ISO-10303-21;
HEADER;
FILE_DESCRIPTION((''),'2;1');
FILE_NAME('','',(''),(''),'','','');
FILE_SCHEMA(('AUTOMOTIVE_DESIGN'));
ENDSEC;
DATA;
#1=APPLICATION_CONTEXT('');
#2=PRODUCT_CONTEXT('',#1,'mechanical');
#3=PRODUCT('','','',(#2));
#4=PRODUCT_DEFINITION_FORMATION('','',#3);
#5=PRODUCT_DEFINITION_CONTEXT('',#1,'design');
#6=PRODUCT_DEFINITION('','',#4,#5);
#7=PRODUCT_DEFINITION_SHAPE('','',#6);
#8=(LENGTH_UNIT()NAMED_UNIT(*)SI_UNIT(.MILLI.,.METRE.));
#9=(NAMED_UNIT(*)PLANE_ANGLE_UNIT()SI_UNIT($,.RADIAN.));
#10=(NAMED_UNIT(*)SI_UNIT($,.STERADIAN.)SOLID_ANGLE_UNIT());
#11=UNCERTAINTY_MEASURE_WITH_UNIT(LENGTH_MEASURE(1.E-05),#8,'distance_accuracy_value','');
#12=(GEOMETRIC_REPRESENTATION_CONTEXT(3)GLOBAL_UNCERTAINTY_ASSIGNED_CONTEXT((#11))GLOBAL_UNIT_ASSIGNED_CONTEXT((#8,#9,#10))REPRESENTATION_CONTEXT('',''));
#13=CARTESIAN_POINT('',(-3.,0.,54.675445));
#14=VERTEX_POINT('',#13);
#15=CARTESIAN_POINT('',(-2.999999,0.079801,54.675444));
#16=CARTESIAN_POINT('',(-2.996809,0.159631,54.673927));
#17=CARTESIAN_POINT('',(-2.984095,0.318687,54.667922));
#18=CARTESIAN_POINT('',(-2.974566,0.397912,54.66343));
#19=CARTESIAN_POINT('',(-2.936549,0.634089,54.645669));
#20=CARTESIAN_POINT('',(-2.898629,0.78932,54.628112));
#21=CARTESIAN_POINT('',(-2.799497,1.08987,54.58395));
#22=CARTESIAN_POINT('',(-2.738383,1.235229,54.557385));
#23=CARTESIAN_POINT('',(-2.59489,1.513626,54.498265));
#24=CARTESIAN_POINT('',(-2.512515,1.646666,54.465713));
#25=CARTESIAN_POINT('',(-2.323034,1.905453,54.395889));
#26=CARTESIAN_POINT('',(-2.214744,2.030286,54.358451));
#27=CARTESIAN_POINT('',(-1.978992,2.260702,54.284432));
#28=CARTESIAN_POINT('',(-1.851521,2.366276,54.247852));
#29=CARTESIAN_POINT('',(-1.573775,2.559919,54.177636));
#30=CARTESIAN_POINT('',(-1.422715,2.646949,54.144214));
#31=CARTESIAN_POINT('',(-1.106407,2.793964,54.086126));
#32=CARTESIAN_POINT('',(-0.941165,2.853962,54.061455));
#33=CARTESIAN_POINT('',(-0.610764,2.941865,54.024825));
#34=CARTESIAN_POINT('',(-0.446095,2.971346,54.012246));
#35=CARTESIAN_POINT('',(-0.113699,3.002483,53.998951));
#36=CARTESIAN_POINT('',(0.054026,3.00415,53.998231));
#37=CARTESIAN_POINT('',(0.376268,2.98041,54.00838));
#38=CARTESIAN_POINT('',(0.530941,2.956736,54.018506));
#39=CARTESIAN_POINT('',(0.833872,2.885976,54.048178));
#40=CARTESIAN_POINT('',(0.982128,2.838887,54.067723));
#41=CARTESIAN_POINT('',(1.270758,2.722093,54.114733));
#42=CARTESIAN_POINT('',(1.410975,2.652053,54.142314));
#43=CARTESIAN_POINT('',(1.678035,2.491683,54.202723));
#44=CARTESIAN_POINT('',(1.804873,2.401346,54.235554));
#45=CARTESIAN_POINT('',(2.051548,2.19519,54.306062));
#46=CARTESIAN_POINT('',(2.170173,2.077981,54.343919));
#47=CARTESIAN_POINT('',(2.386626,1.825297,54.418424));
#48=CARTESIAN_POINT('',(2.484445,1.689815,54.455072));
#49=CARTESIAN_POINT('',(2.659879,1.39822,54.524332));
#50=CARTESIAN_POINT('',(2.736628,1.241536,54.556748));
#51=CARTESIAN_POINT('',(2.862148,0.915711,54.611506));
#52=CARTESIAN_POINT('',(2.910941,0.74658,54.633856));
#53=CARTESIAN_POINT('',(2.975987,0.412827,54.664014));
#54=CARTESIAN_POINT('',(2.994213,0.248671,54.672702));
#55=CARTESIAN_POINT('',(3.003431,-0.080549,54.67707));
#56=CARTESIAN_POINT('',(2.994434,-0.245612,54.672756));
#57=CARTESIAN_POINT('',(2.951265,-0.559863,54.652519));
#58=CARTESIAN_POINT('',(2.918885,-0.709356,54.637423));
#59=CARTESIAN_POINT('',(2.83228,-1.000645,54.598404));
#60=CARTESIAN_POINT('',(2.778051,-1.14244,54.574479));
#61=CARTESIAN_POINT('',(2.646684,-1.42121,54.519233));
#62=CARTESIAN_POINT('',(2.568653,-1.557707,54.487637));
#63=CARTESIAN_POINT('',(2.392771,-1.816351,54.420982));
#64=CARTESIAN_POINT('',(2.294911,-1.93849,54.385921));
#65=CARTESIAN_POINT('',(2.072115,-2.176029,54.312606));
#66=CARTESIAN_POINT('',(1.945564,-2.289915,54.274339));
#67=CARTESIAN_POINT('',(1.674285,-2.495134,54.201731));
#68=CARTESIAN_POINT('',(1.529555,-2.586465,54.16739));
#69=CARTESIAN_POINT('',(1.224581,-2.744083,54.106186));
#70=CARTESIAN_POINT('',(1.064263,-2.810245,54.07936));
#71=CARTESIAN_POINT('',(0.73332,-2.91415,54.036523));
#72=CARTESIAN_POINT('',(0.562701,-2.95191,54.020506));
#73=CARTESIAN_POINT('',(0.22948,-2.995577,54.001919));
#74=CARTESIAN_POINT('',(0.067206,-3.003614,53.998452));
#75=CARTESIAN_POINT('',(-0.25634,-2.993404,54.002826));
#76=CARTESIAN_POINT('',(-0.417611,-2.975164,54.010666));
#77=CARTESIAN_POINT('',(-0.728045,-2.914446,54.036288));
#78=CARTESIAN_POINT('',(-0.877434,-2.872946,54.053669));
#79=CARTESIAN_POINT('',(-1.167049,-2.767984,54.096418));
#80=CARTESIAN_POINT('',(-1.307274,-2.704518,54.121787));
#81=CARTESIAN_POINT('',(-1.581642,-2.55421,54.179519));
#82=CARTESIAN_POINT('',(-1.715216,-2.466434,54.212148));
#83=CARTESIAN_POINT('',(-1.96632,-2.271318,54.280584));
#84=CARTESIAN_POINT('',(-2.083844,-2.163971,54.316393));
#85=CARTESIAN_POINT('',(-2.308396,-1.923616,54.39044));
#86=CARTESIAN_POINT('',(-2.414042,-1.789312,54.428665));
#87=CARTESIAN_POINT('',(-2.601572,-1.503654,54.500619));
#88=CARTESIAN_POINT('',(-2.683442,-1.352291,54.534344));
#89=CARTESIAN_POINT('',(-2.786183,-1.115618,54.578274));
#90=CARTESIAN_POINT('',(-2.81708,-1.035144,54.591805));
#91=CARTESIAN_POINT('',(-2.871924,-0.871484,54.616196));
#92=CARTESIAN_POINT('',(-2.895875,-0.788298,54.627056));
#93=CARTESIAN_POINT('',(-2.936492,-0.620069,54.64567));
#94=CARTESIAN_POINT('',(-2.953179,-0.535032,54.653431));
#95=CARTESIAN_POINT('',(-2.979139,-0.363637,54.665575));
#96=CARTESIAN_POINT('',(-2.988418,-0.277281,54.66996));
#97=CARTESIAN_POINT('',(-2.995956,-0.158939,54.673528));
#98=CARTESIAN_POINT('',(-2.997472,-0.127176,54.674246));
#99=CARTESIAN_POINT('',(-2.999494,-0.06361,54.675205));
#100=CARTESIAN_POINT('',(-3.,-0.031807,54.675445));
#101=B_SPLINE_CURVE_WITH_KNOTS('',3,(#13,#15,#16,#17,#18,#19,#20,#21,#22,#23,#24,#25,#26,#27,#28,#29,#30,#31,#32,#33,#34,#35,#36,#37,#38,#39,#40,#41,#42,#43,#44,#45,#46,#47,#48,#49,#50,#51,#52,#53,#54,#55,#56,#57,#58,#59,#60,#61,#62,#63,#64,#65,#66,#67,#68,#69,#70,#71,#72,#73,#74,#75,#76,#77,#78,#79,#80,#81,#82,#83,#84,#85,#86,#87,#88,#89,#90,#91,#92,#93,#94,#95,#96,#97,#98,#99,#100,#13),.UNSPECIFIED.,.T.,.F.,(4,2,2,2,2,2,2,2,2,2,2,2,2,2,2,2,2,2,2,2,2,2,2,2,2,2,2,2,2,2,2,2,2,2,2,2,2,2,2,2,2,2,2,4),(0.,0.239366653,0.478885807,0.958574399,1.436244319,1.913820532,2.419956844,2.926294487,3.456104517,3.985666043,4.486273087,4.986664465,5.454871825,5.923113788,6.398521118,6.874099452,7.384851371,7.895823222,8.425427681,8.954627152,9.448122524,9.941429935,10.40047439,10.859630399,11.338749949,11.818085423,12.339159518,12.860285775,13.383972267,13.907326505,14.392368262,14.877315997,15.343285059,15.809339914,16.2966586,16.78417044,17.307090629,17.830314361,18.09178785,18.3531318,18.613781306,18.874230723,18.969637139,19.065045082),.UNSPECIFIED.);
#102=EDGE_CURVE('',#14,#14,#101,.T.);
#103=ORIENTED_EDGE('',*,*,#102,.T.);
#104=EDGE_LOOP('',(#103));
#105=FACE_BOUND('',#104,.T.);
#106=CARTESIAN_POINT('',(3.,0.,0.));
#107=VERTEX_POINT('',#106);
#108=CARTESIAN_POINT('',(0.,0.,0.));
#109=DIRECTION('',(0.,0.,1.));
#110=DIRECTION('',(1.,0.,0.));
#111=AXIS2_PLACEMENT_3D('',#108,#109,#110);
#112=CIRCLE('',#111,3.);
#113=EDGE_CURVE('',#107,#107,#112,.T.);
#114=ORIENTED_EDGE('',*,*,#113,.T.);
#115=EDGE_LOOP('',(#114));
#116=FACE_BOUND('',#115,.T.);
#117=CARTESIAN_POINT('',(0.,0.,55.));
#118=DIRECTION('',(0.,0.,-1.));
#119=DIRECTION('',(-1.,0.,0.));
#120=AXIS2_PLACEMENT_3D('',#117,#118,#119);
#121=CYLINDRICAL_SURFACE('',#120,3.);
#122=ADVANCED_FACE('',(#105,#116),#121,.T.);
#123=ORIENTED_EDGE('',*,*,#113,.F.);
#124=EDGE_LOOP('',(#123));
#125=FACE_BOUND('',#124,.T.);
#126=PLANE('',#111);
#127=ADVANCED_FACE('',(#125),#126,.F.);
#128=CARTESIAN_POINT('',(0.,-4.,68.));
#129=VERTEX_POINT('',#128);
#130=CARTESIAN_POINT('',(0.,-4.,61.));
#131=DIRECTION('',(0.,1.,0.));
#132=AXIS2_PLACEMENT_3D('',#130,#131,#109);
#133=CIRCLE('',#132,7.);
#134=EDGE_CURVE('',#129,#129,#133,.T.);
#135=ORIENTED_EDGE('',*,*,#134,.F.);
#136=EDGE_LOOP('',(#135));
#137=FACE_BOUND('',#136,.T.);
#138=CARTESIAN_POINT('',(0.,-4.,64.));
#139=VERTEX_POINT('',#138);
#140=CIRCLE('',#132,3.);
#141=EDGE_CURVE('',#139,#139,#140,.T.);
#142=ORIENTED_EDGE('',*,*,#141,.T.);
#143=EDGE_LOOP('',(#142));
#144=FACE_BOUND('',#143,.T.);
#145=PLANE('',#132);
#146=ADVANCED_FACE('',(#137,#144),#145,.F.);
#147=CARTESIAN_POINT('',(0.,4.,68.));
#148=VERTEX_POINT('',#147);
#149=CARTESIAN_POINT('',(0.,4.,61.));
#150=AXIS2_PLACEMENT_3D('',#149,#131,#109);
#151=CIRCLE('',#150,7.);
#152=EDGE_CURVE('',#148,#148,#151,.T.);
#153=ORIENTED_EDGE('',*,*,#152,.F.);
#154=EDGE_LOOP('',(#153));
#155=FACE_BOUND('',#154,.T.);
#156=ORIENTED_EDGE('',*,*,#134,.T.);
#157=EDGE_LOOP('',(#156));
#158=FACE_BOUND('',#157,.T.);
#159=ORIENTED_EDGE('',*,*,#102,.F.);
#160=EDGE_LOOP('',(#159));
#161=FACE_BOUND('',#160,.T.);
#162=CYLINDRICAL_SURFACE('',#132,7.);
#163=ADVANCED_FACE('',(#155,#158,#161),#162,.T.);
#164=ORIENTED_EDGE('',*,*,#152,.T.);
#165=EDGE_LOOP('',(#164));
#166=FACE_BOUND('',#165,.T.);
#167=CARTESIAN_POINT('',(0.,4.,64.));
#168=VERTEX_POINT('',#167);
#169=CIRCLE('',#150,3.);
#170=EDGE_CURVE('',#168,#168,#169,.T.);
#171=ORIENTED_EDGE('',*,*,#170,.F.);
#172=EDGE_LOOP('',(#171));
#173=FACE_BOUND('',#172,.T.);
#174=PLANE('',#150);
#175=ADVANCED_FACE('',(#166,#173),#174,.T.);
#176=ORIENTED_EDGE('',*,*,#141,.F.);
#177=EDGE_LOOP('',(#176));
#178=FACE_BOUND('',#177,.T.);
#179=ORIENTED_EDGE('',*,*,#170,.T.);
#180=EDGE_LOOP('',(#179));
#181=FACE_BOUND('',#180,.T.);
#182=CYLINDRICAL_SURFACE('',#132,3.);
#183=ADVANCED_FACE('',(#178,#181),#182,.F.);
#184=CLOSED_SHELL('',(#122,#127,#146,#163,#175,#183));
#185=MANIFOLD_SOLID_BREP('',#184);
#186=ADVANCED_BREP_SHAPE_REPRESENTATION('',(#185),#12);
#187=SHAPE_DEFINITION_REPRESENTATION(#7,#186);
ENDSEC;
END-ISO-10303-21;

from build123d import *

# Parameters (mm, degrees)
SKETCH_1_R           = 3
EXTRUDE_1_DEPTH      = 55
EXTRUDE_2_DEPTH      = 4
EXTRUDE_2_DEPTH_BACK = 4
SKETCH_3_R           = 7
SKETCH_4_R           = 3
CUT_EXTRUDE_1_DEPTH  = 69.825867351


with BuildPart() as part:
    # Эскиз1 → Бобышка-Вытянуть1 (new body)
    with BuildSketch(Plane.XY):
        Circle(SKETCH_1_R)
    extrude(amount=EXTRUDE_1_DEPTH)

    # Эскиз3 → Бобышка-Вытянуть2 (add, two sides: drawn at the far end of the back side and taken through both)
    with BuildSketch(Plane(origin=(0, 0, 0), x_dir=(1, 0, 0), z_dir=(0, 1, 0)).offset(-EXTRUDE_2_DEPTH_BACK)):
        with Locations((0, -61)):
            Circle(SKETCH_3_R)
    extrude(amount=EXTRUDE_2_DEPTH + EXTRUDE_2_DEPTH_BACK)

    # Эскиз4 → Вырез-Вытянуть1 (cut, through all)
    with BuildSketch(Plane(origin=(0, 4, 0), x_dir=(1, 0, 0), z_dir=(0, 1, 0))):
        with Locations((0, -61)):
            Circle(SKETCH_4_R)
    extrude(amount=-CUT_EXTRUDE_1_DEPTH, mode=Mode.SUBTRACT)


solid = part.part
